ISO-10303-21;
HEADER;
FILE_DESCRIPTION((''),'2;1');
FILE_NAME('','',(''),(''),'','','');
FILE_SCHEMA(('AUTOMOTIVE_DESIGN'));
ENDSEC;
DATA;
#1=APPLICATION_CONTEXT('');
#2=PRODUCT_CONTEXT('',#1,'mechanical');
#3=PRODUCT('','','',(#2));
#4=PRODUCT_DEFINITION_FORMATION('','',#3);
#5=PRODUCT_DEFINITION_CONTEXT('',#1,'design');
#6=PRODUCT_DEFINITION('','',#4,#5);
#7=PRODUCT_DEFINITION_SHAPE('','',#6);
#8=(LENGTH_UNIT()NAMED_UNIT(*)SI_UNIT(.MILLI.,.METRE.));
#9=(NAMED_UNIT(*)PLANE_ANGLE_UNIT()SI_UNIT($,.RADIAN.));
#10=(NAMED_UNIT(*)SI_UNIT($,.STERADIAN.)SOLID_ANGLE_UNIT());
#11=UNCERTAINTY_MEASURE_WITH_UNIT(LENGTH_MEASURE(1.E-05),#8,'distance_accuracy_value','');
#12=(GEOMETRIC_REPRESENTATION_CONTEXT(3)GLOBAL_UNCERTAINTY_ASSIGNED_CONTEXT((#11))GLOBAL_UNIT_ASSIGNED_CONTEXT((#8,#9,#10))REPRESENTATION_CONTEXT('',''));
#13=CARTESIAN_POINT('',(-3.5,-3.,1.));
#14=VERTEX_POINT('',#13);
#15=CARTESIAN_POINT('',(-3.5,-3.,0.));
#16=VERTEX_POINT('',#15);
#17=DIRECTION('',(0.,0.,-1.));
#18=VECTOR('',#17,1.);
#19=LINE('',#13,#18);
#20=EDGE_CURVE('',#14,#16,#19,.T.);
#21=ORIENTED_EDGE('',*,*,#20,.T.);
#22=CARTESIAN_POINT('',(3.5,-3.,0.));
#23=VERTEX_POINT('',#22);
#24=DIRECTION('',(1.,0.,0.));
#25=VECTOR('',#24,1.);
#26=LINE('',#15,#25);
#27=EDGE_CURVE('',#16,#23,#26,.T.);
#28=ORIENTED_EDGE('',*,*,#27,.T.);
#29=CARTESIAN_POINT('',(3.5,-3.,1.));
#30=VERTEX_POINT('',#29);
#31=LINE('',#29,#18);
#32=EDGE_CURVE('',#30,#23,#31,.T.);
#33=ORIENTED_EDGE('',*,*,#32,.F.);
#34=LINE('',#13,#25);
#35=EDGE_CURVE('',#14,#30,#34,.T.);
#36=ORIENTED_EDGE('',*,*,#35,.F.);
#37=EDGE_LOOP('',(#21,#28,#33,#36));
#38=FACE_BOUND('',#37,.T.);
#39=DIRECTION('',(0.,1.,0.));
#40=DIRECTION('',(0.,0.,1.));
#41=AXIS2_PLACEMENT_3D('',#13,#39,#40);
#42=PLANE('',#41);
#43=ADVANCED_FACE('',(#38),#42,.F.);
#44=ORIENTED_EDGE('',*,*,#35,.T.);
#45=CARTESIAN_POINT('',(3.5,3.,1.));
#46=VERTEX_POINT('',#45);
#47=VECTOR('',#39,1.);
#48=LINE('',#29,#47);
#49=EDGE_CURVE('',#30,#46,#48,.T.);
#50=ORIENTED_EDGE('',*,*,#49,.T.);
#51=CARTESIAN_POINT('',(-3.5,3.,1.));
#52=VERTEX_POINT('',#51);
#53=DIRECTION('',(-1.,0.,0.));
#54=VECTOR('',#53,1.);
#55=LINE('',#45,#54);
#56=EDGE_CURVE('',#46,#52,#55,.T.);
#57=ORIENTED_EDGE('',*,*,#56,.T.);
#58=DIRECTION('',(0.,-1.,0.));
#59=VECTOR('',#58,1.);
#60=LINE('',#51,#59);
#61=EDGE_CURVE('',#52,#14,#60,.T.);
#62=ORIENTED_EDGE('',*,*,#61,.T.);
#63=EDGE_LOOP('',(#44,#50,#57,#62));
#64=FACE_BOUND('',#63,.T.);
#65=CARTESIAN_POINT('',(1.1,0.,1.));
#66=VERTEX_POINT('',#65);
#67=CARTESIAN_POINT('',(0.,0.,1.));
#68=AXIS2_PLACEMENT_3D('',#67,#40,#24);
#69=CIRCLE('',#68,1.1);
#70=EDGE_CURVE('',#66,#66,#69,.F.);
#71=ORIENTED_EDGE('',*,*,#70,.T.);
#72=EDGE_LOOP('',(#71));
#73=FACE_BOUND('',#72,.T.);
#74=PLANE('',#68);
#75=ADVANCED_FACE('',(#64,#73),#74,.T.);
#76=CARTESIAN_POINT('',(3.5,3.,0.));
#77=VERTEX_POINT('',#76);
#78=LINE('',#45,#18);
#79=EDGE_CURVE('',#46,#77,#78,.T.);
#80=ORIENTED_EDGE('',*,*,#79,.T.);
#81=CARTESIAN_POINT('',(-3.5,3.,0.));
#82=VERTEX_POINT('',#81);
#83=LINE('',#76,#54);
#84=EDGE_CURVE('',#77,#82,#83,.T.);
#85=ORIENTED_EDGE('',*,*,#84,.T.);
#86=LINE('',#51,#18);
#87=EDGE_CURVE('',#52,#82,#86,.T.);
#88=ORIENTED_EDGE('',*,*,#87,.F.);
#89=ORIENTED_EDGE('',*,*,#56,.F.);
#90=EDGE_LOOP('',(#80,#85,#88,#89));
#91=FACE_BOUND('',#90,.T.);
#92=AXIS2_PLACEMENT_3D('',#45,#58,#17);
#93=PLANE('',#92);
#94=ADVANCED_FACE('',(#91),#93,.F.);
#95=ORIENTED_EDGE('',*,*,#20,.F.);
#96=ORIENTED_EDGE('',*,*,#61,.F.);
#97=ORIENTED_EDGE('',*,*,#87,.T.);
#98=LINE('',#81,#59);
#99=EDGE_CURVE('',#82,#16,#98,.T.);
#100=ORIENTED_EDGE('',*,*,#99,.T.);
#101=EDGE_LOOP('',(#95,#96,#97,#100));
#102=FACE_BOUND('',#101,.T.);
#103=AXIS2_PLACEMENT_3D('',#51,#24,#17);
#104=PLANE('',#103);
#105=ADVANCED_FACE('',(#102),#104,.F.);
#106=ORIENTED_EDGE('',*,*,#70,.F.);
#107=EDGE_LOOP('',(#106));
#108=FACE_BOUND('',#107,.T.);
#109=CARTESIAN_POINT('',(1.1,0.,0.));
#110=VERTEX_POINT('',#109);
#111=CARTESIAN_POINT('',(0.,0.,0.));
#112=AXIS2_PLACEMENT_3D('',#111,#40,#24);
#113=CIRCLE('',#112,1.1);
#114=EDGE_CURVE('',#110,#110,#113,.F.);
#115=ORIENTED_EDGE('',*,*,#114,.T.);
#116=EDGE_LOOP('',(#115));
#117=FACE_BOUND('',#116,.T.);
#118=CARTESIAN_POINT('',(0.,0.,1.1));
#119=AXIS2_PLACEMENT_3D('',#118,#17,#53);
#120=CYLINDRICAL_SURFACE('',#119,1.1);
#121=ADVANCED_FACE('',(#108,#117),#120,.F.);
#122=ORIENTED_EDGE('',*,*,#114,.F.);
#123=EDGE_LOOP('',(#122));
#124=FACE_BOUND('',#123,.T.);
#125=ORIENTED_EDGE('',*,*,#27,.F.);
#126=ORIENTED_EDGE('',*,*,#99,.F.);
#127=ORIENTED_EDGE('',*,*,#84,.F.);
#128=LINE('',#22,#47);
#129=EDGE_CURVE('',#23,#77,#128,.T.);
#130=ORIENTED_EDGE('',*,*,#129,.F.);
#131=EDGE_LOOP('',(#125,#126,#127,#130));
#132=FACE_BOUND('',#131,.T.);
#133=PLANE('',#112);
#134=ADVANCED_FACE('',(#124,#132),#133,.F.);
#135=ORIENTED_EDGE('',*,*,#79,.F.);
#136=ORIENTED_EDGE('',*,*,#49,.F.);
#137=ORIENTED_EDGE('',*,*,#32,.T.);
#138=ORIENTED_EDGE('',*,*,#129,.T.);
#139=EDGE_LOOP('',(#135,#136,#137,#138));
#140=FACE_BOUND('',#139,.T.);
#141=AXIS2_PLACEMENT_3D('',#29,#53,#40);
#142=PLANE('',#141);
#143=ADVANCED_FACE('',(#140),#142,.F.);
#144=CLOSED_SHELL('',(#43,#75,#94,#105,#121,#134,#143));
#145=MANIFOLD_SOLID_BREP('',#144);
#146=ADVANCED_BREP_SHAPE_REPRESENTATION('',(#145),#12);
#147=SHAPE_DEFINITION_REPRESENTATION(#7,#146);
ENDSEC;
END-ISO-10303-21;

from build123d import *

# Parameters (mm, degrees)
CLAMP_OUTLINE_SKETCH_W = 7
CLAMP_OUTLINE_SKETCH_H = 6
CLAMP_OUTLINE_DEPTH    = 1
M2_CLEARANCE_SKETCH_R  = 1.1
M2_CLEARANCE_DEPTH     = 1.2


with BuildPart() as part:
    # Clamp Outline Sketch → Clamp Outline (new body)
    with BuildSketch(Plane.XY):
        Rectangle(CLAMP_OUTLINE_SKETCH_W, CLAMP_OUTLINE_SKETCH_H)
    extrude(amount=CLAMP_OUTLINE_DEPTH)

    # M2 Clearance Sketch → M2 Clearance (cut)
    with BuildSketch(Plane.XY.offset(-0.1)):
        Circle(M2_CLEARANCE_SKETCH_R)
    extrude(amount=M2_CLEARANCE_DEPTH, mode=Mode.SUBTRACT)


solid = part.part
